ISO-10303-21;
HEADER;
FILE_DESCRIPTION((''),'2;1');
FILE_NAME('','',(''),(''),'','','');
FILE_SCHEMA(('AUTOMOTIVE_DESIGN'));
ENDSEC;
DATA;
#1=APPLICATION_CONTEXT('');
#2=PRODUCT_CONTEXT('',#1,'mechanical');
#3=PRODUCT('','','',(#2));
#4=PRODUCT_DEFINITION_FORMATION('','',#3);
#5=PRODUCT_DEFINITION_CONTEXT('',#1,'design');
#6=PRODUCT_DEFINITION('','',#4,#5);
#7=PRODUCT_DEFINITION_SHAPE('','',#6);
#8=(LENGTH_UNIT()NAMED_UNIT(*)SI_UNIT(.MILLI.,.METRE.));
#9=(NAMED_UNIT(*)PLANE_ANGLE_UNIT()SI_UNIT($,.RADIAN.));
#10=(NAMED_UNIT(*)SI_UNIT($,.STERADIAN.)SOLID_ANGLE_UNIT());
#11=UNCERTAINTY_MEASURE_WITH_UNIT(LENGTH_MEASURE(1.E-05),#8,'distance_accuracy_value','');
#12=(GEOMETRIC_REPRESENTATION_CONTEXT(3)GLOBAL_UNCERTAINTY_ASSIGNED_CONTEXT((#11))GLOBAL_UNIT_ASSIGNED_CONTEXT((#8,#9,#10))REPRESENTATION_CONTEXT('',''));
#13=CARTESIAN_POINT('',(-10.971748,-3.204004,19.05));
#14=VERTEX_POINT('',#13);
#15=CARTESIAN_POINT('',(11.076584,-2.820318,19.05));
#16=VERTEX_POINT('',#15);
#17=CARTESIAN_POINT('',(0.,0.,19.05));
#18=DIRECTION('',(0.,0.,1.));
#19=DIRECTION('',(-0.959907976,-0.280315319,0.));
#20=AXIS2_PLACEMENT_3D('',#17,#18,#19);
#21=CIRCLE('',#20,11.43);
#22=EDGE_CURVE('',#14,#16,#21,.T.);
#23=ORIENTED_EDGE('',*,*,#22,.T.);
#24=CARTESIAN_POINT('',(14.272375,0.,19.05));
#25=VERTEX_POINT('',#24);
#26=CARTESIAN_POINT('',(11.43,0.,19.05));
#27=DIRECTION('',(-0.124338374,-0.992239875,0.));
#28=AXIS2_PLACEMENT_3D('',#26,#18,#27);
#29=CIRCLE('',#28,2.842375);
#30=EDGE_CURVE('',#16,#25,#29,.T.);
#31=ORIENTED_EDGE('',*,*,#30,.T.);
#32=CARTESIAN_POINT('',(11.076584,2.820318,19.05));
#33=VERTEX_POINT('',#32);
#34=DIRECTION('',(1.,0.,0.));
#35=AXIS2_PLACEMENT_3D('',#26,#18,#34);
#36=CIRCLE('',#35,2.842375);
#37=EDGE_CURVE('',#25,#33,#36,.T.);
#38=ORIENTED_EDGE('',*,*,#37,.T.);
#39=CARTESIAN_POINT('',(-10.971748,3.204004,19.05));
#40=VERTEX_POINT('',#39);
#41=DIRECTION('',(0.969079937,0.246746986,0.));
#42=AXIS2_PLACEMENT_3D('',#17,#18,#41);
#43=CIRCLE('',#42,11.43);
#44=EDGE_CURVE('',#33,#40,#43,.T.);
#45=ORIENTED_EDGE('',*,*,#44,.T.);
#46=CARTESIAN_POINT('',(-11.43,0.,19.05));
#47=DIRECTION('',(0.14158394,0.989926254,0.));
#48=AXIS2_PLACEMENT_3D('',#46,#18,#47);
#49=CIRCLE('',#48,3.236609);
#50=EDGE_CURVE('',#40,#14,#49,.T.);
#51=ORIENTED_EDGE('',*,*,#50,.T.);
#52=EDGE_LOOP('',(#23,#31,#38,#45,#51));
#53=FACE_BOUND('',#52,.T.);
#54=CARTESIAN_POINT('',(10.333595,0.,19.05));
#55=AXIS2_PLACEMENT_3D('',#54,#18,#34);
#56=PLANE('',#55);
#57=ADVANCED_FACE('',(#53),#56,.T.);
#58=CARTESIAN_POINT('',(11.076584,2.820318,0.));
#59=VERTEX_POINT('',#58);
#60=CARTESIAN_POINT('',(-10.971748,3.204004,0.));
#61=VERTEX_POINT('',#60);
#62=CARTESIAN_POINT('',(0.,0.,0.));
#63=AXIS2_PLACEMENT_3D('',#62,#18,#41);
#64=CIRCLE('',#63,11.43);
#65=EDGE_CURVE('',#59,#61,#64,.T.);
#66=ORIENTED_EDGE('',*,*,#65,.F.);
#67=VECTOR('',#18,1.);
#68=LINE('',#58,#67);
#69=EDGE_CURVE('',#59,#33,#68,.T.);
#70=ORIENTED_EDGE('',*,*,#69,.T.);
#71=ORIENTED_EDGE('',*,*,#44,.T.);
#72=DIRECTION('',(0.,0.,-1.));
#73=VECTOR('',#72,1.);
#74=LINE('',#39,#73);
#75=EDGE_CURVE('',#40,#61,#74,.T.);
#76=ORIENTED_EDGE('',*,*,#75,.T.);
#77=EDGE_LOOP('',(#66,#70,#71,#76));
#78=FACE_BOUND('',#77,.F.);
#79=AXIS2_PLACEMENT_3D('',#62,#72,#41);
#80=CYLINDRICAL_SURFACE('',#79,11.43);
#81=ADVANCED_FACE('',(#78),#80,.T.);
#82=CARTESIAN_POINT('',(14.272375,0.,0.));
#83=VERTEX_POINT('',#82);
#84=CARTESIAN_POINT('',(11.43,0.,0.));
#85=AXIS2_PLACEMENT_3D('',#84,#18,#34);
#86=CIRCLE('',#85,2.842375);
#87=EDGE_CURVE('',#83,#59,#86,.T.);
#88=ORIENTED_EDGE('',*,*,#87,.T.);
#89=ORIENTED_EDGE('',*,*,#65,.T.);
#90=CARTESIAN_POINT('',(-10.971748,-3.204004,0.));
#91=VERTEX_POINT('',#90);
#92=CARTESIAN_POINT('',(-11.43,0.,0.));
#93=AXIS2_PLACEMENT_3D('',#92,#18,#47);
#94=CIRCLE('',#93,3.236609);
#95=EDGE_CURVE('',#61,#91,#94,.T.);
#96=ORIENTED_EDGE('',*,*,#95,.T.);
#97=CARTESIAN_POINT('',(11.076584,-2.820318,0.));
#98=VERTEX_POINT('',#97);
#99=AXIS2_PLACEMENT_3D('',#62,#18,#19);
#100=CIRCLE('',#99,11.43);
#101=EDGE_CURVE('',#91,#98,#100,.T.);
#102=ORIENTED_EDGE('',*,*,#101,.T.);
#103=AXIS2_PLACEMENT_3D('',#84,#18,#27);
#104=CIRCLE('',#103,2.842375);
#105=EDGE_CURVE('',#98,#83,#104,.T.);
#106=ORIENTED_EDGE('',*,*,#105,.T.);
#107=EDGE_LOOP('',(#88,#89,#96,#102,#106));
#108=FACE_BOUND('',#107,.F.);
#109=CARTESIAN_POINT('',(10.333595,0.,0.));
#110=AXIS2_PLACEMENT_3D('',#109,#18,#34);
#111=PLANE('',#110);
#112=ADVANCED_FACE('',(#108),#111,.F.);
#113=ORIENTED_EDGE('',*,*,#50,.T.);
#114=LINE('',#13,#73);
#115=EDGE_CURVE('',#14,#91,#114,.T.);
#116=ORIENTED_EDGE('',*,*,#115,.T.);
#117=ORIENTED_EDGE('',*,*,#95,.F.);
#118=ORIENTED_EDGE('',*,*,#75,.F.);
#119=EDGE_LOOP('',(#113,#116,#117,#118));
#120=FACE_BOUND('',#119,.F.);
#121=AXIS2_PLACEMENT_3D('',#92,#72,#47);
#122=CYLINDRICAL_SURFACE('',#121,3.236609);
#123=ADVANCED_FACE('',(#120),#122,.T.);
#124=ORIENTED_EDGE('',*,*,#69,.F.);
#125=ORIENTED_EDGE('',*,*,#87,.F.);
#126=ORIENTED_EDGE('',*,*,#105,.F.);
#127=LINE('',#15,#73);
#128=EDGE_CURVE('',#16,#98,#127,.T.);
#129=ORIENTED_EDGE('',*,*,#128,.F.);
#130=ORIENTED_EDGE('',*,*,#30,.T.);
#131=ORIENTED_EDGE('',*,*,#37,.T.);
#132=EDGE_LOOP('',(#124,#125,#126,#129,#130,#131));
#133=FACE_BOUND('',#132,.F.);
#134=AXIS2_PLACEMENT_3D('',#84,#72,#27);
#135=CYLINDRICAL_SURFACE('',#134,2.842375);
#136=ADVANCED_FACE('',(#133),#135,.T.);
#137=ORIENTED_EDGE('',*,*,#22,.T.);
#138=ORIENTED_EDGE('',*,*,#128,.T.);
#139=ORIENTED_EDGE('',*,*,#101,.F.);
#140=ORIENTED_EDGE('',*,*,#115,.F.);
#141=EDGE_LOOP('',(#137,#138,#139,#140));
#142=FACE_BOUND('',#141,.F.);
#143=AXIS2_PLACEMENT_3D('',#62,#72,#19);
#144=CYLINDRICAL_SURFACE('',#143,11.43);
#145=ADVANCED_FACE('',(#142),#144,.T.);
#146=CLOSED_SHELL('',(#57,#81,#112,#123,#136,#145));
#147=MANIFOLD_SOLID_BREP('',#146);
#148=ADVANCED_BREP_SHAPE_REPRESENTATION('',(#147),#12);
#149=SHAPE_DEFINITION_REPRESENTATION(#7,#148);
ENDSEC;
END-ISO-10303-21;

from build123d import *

# Parameters (mm, degrees)
F1_DEPTH = 12.7
F2_DEPTH = 19.05


with BuildPart() as f1:
    # F0 (on Top) → F1 (new body)
    with BuildSketch(Plane.XY):
        with BuildLine():
            ThreePointArc((11.0765836834, -2.8203180503), (11.3413017661, -1.4211876194), (11.43, 0))
            ThreePointArc((11.43, 0), (11.3413017661, 1.4211876194), (11.0765836834, 2.8203180503))
            ThreePointArc((11.0765836834, 2.8203180503), (8.5876247613, 0), (11.0765836834, -2.8203180503))
        make_face()
        with BuildLine():
            ThreePointArc((11.0765836834, 2.8203180503), (11.3413017661, 1.4211876194), (11.43, 0))
            ThreePointArc((11.43, 0), (11.3413017661, -1.4211876194), (11.0765836834, -2.8203180503))
            ThreePointArc((11.0765836834, -2.8203180503), (13.3107651648, -2.1311544741), (14.2723752387, 0))
            ThreePointArc((14.2723752387, 0), (13.3107651648, 2.1311544741), (11.0765836834, 2.8203180503))
        make_face()
        with BuildLine():
            ThreePointArc((11.0765836834, -2.8203180503), (8.5876247613, 0), (11.0765836834, 2.8203180503))
            ThreePointArc((11.0765836834, 2.8203180503), (0.1988752534, 11.428269713), (-10.9717481638, 3.2040040932))
            ThreePointArc((-10.9717481638, 3.2040040932), (-8.9847168945, 2.1204309724), (-8.1933911304, 0))
            ThreePointArc((-8.1933911304, 0), (-8.9847168945, -2.1204309724), (-10.9717481638, -3.2040040932))
            ThreePointArc((-10.9717481638, -3.2040040932), (0.1988752534, -11.428269713), (11.0765836834, -2.8203180503))
        make_face()
        with BuildLine():
            ThreePointArc((-8.1933911304, 0), (-8.9847168945, 2.1204309724), (-10.9717481638, 3.2040040932))
            ThreePointArc((-10.9717481638, 3.2040040932), (-11.43, 0), (-10.9717481638, -3.2040040932))
            ThreePointArc((-10.9717481638, -3.2040040932), (-8.9847168945, -2.1204309724), (-8.1933911304, 0))
        make_face()
        with BuildLine():
            ThreePointArc((-10.9717481638, -3.2040040932), (-11.43, 0), (-10.9717481638, 3.2040040932))
            ThreePointArc((-10.9717481638, 3.2040040932), (-14.6666088696, 0), (-10.9717481638, -3.2040040932))
        make_face()
    extrude(amount=F1_DEPTH)

    # F0 (on Top) → F2 (join)
    with BuildSketch(Plane.XY):
        with BuildLine():
            ThreePointArc((11.0765836834, -2.8203180503), (11.3413017661, -1.4211876194), (11.43, 0))
            ThreePointArc((11.43, 0), (11.3413017661, 1.4211876194), (11.0765836834, 2.8203180503))
            ThreePointArc((11.0765836834, 2.8203180503), (8.5876247613, 0), (11.0765836834, -2.8203180503))
        make_face()
        with BuildLine():
            ThreePointArc((11.0765836834, 2.8203180503), (11.3413017661, 1.4211876194), (11.43, 0))
            ThreePointArc((11.43, 0), (11.3413017661, -1.4211876194), (11.0765836834, -2.8203180503))
            ThreePointArc((11.0765836834, -2.8203180503), (13.3107651648, -2.1311544741), (14.2723752387, 0))
            ThreePointArc((14.2723752387, 0), (13.3107651648, 2.1311544741), (11.0765836834, 2.8203180503))
        make_face()
        with BuildLine():
            ThreePointArc((11.0765836834, -2.8203180503), (8.5876247613, 0), (11.0765836834, 2.8203180503))
            ThreePointArc((11.0765836834, 2.8203180503), (0.1988752534, 11.428269713), (-10.9717481638, 3.2040040932))
            ThreePointArc((-10.9717481638, 3.2040040932), (-8.9847168945, 2.1204309724), (-8.1933911304, 0))
            ThreePointArc((-8.1933911304, 0), (-8.9847168945, -2.1204309724), (-10.9717481638, -3.2040040932))
            ThreePointArc((-10.9717481638, -3.2040040932), (0.1988752534, -11.428269713), (11.0765836834, -2.8203180503))
        make_face()
        with BuildLine():
            ThreePointArc((-8.1933911304, 0), (-8.9847168945, 2.1204309724), (-10.9717481638, 3.2040040932))
            ThreePointArc((-10.9717481638, 3.2040040932), (-11.43, 0), (-10.9717481638, -3.2040040932))
            ThreePointArc((-10.9717481638, -3.2040040932), (-8.9847168945, -2.1204309724), (-8.1933911304, 0))
        make_face()
        with BuildLine():
            ThreePointArc((-10.9717481638, -3.2040040932), (-11.43, 0), (-10.9717481638, 3.2040040932))
            ThreePointArc((-10.9717481638, 3.2040040932), (-14.6666088696, 0), (-10.9717481638, -3.2040040932))
        make_face()
    extrude(amount=F2_DEPTH)


solid = f1.part
